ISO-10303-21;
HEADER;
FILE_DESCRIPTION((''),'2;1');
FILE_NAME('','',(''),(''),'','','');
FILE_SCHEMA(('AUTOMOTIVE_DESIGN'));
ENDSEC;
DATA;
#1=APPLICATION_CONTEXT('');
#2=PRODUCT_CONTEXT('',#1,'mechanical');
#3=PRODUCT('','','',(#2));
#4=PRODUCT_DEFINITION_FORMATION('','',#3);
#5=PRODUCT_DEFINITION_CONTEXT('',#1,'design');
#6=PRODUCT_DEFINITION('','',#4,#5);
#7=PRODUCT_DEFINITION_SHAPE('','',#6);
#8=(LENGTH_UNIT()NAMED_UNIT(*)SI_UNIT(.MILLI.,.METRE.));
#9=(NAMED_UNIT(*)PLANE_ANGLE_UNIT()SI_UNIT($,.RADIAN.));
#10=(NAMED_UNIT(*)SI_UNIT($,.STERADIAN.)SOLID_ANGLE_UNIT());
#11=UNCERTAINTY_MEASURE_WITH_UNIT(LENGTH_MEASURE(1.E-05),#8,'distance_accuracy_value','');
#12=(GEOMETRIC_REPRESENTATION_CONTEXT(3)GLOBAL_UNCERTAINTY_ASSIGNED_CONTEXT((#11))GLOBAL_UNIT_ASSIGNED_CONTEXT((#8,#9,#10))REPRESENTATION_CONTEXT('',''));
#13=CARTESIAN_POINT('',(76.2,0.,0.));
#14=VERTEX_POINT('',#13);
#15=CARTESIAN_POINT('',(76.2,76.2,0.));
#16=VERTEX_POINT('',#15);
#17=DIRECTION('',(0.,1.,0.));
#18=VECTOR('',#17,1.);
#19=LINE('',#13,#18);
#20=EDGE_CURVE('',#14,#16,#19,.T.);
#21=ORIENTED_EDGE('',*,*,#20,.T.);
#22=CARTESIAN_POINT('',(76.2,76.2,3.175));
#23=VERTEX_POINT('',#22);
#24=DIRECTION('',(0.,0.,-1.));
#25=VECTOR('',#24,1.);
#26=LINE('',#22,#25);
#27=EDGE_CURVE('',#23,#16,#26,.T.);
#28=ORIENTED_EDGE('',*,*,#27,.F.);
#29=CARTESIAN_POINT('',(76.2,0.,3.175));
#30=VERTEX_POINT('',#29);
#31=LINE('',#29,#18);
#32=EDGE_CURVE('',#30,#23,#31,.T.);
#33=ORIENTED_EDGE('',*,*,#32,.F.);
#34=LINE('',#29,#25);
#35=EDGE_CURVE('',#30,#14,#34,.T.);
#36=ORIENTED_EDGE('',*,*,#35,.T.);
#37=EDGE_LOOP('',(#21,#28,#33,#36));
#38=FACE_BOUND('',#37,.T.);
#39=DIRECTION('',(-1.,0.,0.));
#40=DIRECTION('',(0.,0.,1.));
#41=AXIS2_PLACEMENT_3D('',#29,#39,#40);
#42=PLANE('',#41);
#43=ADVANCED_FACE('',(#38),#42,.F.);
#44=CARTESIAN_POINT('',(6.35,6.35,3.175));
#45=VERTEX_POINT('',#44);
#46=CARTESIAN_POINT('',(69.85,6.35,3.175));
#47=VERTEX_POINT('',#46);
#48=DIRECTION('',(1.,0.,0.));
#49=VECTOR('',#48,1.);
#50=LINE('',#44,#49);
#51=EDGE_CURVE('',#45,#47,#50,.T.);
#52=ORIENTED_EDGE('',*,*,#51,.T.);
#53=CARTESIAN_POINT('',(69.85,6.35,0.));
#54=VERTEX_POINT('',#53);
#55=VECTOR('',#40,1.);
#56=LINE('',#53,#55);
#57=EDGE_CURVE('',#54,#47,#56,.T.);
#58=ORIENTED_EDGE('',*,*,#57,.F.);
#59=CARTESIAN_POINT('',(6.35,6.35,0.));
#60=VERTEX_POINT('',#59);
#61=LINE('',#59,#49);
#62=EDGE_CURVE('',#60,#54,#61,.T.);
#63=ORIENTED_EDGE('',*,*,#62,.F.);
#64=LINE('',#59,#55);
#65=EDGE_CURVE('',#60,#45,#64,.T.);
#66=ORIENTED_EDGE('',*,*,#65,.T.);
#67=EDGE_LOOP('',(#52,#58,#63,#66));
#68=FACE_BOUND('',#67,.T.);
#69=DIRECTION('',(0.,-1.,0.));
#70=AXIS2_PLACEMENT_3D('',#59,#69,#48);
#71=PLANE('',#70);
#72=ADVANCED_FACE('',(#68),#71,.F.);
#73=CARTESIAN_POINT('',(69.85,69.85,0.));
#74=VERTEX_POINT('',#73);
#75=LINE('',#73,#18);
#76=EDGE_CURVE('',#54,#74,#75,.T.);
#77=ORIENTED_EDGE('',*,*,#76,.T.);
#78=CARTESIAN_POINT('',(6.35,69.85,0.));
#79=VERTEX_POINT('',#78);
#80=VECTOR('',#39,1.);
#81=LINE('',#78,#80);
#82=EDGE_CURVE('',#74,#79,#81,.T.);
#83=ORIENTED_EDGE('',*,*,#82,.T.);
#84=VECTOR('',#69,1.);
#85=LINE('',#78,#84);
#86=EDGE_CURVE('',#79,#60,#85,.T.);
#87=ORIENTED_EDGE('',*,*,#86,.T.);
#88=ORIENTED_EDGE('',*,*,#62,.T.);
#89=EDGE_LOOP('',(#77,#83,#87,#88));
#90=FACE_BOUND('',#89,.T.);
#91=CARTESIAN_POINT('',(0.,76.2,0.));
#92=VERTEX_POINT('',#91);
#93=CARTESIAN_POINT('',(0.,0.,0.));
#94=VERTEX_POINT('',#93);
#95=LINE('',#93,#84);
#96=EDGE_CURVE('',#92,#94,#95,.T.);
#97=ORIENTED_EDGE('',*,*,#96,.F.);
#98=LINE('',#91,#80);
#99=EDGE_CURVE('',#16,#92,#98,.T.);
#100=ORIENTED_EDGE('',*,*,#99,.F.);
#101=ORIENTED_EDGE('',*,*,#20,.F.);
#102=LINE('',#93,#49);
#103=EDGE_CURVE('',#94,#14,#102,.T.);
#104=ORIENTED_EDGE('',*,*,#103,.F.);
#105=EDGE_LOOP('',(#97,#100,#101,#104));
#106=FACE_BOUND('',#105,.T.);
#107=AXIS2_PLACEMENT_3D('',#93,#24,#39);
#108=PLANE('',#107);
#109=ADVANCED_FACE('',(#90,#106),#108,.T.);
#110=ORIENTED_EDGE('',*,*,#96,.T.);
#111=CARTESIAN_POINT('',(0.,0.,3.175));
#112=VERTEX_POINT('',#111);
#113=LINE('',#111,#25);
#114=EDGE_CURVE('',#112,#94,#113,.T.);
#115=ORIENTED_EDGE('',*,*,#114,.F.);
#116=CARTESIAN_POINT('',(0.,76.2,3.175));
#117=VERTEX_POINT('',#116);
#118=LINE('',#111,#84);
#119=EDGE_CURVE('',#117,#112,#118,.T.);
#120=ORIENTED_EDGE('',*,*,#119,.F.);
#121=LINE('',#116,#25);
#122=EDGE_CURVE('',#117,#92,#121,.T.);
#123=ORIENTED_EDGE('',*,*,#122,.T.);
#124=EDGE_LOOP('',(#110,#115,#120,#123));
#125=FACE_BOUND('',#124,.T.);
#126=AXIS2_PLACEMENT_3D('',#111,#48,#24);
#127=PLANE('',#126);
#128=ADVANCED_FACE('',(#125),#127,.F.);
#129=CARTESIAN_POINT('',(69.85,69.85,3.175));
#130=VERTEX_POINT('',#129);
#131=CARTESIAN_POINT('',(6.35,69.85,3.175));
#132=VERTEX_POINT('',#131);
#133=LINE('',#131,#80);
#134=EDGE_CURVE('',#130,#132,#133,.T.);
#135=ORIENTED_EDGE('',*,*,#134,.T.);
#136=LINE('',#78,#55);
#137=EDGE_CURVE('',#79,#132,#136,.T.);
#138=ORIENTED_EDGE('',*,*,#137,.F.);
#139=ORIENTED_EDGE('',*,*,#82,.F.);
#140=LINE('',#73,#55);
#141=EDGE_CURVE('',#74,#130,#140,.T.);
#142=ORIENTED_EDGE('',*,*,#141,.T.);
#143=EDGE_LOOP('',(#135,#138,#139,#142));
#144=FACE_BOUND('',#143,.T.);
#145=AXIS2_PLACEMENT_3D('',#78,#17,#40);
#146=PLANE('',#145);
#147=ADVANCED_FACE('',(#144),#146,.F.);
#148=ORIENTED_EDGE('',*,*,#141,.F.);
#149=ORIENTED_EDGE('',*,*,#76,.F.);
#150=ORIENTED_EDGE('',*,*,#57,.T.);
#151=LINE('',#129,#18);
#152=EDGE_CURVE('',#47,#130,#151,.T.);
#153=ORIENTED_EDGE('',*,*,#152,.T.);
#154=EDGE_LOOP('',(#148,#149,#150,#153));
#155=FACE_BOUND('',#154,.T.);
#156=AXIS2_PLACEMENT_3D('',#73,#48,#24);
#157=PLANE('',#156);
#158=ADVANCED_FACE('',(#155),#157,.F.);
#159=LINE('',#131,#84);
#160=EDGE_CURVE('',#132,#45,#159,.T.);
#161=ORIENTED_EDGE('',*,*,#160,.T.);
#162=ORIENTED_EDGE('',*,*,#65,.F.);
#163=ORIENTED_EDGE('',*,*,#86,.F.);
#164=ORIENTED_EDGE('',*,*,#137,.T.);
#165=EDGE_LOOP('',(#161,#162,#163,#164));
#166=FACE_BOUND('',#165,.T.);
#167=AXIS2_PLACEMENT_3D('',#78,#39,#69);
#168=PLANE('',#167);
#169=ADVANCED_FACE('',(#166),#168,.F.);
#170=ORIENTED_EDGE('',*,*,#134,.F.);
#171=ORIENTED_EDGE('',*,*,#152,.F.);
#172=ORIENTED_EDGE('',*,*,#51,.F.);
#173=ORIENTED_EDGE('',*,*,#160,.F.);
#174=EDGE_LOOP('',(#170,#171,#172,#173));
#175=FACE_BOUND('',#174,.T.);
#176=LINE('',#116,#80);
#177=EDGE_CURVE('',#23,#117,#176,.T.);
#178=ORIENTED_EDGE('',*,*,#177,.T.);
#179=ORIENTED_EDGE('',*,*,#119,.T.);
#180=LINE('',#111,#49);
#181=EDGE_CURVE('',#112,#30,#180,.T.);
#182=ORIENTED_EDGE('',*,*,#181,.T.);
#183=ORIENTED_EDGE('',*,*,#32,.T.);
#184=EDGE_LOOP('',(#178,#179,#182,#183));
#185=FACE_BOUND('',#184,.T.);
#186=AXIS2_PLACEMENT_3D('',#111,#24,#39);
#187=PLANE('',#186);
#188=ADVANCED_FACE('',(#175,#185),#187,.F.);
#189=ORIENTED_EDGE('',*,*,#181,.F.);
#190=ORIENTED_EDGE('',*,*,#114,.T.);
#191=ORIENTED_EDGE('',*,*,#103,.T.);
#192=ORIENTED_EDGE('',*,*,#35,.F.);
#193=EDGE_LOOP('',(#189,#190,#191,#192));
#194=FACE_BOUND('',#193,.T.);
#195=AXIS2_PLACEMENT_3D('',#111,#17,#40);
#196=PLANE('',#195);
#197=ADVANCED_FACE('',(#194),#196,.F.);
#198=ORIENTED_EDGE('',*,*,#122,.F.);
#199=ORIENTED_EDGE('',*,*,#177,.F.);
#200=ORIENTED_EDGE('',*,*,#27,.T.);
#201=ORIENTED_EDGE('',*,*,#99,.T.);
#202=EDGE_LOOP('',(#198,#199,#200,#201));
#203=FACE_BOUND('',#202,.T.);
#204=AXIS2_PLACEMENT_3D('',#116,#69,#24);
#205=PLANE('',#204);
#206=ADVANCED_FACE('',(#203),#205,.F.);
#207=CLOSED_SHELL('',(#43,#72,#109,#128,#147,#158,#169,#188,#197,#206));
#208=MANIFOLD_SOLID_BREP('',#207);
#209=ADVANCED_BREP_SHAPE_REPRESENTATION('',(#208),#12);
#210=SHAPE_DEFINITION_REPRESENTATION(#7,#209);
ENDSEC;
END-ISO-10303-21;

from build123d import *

# Parameters (mm, degrees)
SKETCH1_W           = 76.2
SKETCH1_H           = 76.2
BOSS_EXTRUDE1_DEPTH = 3.175
SKETCH2_W           = 63.5
SKETCH2_H           = 63.5
CUT_EXTRUDE1_DEPTH  = 3.175


with BuildPart() as part:
    # Sketch1 → Boss-Extrude1 (new body)
    with BuildSketch(Plane.XY):
        with Locations((38.1, 38.1)):
            Rectangle(SKETCH1_W, SKETCH1_H)
    extrude(amount=BOSS_EXTRUDE1_DEPTH)

    # Sketch2 → Cut-Extrude1 (cut)
    with BuildSketch(Plane.XY.offset(3.175)):
        with Locations((38.1, 38.1)):
            Rectangle(SKETCH2_W, SKETCH2_H)
    extrude(amount=-CUT_EXTRUDE1_DEPTH, mode=Mode.SUBTRACT)


solid = part.part
